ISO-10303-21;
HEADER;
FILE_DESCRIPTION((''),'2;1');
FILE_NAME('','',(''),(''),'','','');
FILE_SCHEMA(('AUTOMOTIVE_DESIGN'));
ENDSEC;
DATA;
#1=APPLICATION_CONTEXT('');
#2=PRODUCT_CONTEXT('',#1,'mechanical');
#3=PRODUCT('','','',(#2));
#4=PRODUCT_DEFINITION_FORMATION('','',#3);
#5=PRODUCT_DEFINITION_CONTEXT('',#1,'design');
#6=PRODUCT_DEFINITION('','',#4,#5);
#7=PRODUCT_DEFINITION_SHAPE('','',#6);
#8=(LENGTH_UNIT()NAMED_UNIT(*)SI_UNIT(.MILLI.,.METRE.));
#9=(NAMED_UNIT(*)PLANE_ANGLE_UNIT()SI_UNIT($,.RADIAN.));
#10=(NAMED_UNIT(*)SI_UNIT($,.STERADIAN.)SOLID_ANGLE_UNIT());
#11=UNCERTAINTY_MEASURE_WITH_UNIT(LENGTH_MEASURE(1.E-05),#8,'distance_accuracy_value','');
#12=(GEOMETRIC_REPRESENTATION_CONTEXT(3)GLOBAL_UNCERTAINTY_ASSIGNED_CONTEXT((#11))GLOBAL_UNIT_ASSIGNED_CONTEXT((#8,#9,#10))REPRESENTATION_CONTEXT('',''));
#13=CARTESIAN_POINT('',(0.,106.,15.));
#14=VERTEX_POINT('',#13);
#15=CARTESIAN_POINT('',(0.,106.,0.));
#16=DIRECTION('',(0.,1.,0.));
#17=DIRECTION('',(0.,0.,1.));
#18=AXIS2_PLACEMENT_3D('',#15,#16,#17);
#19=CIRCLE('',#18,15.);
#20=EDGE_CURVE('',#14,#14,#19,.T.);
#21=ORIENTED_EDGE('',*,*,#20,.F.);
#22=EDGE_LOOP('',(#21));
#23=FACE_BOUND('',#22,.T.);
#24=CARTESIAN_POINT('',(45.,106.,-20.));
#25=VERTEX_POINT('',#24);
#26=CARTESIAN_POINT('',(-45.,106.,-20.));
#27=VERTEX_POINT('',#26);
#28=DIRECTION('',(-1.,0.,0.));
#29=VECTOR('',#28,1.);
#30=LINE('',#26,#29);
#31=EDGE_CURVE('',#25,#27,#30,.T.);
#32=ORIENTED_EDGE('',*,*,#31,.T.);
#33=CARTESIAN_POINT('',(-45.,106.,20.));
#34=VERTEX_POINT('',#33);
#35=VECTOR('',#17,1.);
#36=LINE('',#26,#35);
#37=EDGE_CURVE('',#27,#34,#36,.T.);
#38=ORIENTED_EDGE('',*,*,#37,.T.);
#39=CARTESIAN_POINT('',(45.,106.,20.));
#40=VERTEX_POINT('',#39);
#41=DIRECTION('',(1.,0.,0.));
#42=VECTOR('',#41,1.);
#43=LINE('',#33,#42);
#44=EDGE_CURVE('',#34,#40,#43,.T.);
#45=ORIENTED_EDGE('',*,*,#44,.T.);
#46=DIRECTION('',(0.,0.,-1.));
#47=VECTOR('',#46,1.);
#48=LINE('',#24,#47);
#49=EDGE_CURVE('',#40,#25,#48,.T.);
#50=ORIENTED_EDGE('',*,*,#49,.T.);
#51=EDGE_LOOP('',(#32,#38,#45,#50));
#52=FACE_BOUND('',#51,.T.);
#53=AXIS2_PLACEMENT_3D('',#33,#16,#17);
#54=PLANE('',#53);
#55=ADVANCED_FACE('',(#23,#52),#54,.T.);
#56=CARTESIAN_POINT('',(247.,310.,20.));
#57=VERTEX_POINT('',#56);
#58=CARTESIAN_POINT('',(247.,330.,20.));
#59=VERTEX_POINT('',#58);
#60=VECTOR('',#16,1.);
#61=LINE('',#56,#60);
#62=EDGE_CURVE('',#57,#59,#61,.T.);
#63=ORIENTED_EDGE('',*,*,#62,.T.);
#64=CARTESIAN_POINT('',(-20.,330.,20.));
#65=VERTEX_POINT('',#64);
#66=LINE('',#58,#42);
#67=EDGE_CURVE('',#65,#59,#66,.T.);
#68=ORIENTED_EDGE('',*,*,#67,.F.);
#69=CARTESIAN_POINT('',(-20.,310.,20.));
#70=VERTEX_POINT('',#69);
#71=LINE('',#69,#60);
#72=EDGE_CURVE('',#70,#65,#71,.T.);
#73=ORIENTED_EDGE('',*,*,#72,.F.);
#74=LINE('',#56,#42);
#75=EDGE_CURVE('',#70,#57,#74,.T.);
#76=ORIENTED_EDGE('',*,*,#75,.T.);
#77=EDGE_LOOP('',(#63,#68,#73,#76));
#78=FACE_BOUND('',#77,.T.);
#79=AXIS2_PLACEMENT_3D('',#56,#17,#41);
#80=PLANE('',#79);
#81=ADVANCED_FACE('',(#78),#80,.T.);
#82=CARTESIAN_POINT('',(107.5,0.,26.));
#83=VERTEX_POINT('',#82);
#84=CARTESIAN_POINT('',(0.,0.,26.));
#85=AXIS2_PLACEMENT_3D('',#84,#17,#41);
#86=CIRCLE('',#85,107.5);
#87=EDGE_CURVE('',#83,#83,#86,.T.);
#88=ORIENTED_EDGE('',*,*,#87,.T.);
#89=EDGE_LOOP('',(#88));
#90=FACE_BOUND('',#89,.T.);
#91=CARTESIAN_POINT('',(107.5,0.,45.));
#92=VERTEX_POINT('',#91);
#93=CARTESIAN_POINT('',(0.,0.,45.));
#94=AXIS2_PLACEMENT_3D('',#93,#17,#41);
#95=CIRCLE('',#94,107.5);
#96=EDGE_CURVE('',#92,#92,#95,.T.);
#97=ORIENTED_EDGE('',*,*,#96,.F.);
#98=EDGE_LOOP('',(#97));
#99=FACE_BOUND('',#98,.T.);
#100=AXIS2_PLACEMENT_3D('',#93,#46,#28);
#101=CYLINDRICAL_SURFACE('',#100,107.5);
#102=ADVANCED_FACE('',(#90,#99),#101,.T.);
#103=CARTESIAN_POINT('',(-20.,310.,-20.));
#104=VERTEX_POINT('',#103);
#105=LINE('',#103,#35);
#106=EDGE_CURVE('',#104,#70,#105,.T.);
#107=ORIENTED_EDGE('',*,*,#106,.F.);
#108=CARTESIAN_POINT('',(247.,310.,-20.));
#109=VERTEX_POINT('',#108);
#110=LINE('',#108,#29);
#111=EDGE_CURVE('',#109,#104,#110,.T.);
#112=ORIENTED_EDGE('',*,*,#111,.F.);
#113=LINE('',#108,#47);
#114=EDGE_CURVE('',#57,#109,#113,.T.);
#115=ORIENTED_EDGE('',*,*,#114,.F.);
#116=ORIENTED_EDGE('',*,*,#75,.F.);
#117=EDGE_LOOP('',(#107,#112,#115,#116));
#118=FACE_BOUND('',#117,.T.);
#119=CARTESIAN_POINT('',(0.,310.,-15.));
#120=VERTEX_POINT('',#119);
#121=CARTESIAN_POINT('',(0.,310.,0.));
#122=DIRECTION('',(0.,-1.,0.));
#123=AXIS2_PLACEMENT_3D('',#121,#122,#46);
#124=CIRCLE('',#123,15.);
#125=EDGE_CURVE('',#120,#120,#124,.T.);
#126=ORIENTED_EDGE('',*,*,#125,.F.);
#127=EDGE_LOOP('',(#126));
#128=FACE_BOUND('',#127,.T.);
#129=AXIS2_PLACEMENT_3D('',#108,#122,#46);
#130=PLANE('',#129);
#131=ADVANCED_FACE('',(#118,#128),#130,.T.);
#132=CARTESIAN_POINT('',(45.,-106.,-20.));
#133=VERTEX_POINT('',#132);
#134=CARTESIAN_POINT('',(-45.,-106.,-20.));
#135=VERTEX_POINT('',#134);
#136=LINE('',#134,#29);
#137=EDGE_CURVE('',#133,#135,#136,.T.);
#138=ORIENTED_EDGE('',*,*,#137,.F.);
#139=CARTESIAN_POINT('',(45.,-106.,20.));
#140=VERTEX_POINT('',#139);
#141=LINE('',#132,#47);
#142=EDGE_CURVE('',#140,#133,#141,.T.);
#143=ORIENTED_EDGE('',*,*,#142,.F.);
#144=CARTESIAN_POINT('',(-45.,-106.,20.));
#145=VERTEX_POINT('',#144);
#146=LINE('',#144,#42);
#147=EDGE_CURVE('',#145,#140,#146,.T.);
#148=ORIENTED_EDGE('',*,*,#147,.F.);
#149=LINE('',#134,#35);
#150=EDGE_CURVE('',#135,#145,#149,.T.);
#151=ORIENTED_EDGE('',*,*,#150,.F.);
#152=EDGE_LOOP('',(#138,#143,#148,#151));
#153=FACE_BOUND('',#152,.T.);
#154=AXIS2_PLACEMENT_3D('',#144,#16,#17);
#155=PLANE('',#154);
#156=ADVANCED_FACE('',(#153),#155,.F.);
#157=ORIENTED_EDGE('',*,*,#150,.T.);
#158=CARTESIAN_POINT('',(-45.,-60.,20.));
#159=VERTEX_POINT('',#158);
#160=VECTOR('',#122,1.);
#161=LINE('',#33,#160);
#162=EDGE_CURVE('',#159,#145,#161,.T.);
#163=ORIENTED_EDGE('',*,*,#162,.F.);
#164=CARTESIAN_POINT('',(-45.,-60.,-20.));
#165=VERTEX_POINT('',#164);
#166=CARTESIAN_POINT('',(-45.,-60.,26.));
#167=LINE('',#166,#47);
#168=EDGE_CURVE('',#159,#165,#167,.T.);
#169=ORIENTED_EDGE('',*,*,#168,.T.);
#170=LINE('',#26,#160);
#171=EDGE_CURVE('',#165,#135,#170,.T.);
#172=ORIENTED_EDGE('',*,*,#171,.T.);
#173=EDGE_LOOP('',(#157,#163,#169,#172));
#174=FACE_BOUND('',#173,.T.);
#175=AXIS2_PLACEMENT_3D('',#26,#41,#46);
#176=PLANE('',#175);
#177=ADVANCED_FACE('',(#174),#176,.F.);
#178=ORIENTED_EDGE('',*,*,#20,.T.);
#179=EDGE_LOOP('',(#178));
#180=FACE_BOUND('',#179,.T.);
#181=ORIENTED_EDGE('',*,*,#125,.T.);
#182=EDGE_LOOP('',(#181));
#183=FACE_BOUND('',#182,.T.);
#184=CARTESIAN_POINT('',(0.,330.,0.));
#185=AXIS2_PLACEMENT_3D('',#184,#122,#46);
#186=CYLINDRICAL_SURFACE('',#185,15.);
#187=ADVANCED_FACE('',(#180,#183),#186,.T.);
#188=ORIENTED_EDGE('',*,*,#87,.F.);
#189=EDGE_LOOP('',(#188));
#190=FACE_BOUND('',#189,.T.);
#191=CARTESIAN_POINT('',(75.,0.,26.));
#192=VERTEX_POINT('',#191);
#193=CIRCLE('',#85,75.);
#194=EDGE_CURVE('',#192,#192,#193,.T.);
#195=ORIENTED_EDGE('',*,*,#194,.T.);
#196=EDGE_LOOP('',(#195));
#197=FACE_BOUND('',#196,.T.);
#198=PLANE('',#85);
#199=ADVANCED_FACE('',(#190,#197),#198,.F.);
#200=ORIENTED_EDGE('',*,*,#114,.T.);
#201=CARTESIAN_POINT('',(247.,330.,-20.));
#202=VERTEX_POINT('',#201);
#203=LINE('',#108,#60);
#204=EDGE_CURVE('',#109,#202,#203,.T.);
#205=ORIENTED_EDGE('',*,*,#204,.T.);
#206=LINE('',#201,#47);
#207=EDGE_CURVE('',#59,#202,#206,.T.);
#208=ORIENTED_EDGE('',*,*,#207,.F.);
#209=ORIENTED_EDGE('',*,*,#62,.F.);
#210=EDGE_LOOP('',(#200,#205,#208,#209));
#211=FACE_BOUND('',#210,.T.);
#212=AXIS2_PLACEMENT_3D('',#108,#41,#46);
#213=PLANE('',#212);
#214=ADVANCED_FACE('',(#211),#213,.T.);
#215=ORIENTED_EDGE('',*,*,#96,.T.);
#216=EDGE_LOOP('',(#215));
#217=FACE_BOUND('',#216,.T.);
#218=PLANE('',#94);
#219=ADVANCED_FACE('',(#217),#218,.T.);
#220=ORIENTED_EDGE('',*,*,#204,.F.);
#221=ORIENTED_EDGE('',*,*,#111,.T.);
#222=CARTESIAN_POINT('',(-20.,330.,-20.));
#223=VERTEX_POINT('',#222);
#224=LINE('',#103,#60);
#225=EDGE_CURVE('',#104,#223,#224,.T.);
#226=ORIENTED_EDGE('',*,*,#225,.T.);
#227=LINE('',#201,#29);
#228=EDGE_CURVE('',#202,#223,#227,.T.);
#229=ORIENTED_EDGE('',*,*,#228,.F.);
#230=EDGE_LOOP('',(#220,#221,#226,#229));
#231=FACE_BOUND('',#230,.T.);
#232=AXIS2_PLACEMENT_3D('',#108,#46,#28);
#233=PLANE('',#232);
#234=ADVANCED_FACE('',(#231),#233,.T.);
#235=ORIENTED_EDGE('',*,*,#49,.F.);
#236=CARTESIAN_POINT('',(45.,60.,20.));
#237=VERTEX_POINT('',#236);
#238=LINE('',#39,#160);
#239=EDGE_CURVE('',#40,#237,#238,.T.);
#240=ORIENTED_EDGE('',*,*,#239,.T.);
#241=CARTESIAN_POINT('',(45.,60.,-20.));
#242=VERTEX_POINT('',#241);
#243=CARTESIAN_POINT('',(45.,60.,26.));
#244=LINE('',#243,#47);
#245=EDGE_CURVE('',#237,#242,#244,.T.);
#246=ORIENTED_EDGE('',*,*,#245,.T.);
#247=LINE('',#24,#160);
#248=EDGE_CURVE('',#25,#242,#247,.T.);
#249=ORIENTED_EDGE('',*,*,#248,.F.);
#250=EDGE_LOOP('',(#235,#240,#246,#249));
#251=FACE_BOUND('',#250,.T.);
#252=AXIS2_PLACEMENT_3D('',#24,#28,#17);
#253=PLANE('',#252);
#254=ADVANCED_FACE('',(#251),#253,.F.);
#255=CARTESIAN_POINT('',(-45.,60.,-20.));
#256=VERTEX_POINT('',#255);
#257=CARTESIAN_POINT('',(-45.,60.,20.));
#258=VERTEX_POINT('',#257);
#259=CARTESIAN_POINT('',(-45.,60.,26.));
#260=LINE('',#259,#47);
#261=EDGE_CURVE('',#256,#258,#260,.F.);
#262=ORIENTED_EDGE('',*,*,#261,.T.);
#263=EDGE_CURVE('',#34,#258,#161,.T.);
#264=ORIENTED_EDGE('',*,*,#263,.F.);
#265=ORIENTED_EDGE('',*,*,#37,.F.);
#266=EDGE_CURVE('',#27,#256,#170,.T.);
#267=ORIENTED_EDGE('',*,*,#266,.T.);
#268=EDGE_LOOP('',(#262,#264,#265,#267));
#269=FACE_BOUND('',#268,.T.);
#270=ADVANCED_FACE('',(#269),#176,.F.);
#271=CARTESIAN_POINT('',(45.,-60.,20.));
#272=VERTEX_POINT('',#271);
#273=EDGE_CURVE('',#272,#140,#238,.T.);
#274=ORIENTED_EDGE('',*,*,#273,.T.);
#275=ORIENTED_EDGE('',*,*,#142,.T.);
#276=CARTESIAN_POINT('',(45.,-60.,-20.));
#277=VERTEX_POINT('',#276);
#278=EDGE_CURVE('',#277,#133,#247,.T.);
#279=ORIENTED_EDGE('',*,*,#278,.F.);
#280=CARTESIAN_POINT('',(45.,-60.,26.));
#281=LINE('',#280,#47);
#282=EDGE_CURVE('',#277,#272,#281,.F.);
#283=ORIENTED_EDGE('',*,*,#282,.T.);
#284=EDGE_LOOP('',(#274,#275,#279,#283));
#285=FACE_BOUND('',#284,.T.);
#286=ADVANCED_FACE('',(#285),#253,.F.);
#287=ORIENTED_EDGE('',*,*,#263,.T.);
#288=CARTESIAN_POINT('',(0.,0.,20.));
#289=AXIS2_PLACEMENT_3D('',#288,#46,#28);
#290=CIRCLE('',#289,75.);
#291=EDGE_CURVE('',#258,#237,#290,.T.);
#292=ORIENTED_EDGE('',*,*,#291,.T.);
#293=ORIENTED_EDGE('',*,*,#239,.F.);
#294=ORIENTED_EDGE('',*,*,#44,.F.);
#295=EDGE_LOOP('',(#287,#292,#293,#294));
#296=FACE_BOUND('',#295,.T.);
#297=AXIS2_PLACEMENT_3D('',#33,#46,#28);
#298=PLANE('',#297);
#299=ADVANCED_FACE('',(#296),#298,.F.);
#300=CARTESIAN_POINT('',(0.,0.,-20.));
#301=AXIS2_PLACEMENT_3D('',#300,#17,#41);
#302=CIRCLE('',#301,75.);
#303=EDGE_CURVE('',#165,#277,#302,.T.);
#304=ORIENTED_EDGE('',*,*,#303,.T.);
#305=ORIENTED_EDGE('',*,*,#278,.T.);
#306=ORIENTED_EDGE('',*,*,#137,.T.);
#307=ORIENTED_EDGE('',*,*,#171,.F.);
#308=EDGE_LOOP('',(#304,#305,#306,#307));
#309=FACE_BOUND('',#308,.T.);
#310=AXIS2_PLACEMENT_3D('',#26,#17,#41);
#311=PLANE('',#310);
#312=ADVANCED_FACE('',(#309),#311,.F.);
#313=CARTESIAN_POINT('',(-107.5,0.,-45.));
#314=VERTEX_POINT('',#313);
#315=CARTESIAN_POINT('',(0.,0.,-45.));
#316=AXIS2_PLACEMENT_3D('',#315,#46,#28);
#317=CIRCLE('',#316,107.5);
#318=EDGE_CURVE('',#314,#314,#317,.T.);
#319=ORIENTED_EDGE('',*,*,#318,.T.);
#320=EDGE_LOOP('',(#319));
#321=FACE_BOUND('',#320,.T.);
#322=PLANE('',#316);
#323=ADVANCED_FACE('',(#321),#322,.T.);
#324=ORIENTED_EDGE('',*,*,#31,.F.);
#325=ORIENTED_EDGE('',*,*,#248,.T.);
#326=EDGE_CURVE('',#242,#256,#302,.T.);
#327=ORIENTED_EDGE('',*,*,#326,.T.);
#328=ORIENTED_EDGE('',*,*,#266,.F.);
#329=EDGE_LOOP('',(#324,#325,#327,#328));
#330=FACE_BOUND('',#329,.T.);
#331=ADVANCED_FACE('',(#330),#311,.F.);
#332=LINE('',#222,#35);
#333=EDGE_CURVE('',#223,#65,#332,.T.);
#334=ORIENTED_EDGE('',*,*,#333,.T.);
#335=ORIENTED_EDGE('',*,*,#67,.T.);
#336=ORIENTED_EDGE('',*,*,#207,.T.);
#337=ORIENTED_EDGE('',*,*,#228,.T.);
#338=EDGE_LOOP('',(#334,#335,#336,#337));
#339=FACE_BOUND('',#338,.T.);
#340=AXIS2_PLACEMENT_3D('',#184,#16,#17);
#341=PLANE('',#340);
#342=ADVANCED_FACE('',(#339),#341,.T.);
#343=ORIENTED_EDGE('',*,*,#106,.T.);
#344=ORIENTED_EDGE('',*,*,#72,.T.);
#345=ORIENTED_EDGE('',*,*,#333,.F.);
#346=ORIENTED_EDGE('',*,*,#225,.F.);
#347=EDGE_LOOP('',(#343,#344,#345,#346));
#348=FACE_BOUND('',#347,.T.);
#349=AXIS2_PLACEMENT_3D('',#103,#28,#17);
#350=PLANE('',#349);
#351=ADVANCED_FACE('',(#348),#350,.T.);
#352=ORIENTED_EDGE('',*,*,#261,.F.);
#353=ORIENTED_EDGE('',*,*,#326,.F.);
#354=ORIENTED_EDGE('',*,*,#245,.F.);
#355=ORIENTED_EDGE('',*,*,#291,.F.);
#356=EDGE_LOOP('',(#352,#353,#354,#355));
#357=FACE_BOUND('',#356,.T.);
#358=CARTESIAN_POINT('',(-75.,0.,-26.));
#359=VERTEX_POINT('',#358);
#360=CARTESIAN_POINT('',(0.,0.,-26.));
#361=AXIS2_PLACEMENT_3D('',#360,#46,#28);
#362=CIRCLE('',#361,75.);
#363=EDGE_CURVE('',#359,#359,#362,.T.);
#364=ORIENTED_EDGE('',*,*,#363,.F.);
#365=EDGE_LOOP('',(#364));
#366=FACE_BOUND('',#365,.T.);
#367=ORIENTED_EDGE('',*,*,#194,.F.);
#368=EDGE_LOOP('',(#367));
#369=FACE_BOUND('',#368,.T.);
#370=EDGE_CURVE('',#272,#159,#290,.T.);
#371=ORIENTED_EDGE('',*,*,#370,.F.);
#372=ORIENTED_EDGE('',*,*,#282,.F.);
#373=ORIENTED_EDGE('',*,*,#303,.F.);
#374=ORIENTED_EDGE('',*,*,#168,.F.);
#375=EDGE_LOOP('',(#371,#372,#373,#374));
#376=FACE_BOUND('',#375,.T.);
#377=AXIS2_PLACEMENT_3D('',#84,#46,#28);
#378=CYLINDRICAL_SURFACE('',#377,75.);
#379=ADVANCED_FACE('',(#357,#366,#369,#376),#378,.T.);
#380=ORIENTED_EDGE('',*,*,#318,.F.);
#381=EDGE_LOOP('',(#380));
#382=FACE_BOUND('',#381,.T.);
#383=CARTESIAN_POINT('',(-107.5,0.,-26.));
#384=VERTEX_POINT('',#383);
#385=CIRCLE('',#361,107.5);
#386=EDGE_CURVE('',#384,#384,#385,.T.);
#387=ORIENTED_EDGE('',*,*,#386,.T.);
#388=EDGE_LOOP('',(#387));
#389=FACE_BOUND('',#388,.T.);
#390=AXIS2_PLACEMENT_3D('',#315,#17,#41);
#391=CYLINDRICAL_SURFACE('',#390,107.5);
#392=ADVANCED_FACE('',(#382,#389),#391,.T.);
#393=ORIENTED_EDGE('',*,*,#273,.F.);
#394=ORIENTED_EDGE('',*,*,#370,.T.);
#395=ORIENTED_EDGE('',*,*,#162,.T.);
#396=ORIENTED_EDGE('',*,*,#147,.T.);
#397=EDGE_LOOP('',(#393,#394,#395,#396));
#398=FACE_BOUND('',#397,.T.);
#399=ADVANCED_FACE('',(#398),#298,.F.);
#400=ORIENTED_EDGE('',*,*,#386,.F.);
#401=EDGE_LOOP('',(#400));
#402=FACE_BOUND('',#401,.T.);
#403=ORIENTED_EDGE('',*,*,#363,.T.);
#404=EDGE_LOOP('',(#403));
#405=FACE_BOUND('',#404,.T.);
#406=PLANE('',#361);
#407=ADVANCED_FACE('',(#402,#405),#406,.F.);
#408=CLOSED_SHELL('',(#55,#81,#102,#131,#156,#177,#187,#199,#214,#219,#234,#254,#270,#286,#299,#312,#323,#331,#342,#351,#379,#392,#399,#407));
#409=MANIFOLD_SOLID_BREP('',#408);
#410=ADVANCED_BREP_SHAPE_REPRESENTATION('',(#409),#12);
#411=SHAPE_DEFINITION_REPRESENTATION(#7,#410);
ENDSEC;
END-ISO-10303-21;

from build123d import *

# Parameters (mm, degrees)
SKETCH_1_R        = 75
EXTRUDE_296_DEPTH = 26
SKETCH_2_R        = 15
EXTRUDE_341_DEPTH = 330
SKETCH_3_W        = 267
SKETCH_3_H        = 40
EXTRUDE_488_DEPTH = 20
SKETCH_4_W        = 90
SKETCH_4_H        = 40
EXTRUDE_594_DEPTH = 106
SKETCH_5_R        = 107.5
EXTRUDE_1_DEPTH   = 19
EXTRUDE_START     = 19
SKETCH_6_R        = 107.5
EXTRUDE_2_DEPTH   = 19


with BuildPart() as part:
    # Эскиз1 → Extrude 296 (new, symmetric)
    with BuildSketch(Plane.XY):
        Circle(SKETCH_1_R)
    extrude(amount=EXTRUDE_296_DEPTH, both=True)

    # Эскиз2 → Extrude 341 (add)
    with BuildSketch(Plane(origin=(0, 0, 0), x_dir=(1, 0, 0), z_dir=(0, 1, 0))):
        Circle(SKETCH_2_R)
    extrude(amount=EXTRUDE_341_DEPTH)

    # Эскиз3 → Extrude 488 (add)
    with BuildSketch(Plane(origin=(0, 330, 0), x_dir=(-1, 0, 0), z_dir=(0, 1, 0))):
        with Locations((-113.5, 0)):
            Rectangle(SKETCH_3_W, SKETCH_3_H)
    extrude(amount=-EXTRUDE_488_DEPTH)

    # Эскиз4 → Extrude 594 (add, symmetric)
    with BuildSketch(Plane(origin=(0, 0, 0), x_dir=(1, 0, 0), z_dir=(0, 1, 0))):
        Rectangle(SKETCH_4_W, SKETCH_4_H)
    extrude(amount=EXTRUDE_594_DEPTH, both=True)

    # Эскиз5 → Фланец1 (add)
    with BuildSketch(Plane.XY.offset(26)):
        Circle(SKETCH_5_R)
    extrude(amount=EXTRUDE_1_DEPTH)

    # Эскиз6 → Фланец2 (add)
    with BuildSketch(Plane(origin=(0, 0, -26), x_dir=(-1, 0, 0), z_dir=(0, 0, -1)).offset(EXTRUDE_START)):
        Circle(SKETCH_6_R)
    extrude(amount=-EXTRUDE_2_DEPTH)


solid = part.part
